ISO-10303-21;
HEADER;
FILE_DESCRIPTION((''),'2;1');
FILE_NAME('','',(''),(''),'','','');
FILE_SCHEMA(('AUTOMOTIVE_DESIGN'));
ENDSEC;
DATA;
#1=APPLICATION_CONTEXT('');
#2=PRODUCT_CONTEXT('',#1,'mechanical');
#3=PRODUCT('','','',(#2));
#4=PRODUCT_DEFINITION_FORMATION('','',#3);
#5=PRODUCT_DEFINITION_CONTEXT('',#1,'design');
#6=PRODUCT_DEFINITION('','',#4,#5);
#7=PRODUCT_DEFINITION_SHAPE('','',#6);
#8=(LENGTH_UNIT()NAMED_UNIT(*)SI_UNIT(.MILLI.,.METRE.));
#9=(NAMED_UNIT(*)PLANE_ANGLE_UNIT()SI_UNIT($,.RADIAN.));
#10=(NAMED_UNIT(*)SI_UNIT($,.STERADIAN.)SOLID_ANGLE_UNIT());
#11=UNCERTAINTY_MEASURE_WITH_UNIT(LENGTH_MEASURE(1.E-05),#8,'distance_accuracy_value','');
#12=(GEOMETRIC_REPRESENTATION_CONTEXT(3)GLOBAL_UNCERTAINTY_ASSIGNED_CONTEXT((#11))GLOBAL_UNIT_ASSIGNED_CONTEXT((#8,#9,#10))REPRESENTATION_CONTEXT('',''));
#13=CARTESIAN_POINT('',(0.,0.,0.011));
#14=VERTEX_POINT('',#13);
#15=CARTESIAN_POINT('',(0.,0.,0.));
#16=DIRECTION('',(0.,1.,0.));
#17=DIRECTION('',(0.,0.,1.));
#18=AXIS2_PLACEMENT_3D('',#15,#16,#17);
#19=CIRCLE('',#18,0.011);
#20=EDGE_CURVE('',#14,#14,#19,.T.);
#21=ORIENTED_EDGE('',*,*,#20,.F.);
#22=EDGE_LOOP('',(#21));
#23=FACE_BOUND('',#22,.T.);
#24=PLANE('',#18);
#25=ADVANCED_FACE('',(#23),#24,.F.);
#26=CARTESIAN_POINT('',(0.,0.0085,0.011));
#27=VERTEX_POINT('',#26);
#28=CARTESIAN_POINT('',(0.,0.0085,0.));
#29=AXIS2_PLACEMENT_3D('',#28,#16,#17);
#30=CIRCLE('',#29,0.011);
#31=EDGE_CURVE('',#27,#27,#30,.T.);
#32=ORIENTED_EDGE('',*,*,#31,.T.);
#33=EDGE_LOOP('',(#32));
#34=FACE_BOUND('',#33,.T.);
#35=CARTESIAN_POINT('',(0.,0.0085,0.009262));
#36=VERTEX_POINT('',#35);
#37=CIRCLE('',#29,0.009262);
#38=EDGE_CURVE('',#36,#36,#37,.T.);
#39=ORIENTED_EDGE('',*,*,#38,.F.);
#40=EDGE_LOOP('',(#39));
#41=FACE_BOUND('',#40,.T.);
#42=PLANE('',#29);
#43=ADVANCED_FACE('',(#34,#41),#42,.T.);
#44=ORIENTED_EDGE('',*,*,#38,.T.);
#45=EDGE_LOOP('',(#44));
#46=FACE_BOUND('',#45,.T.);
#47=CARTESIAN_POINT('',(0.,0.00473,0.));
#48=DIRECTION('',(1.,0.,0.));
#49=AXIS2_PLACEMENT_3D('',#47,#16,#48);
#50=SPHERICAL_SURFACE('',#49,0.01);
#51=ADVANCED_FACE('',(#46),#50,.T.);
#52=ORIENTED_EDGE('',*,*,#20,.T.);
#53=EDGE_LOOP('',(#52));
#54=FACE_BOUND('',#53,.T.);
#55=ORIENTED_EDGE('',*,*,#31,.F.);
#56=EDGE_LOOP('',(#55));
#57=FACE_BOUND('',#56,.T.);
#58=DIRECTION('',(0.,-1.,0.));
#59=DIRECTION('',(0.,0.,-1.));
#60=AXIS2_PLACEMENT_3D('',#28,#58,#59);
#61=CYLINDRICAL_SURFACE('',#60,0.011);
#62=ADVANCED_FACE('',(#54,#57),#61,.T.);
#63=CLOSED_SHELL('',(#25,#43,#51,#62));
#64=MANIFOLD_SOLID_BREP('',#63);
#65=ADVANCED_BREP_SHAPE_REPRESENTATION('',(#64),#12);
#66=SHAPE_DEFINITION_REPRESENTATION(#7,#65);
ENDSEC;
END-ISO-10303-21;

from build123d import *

# Parameters (mm, degrees)
SKETCH1_R           = 0.011
BOSS_EXTRUDE1_DEPTH = 0.0085


with BuildPart() as part:
    # Sketch1 → Boss-Extrude1 (new body)
    with BuildSketch(Plane(origin=(0, 0, 0), x_dir=(1, 0, 0), z_dir=(0, 1, 0))):
        Circle(SKETCH1_R)
    extrude(amount=BOSS_EXTRUDE1_DEPTH)

    # Sketch3 → Revolve3 (revolve)
    with BuildSketch(Plane.XY):
        with BuildLine():
            Line((0, 0.00473), (0, 0.01473))
            ThreePointArc((0, 0.01473), (-0.007071068, 0.011801068), (-0.01, 0.00473))
            Line((-0.01, 0.00473), (0, 0.00473))
        make_face()
    revolve(axis=Axis((0, 0.017427709, 0), (0, -1, 0)))


solid = part.part
